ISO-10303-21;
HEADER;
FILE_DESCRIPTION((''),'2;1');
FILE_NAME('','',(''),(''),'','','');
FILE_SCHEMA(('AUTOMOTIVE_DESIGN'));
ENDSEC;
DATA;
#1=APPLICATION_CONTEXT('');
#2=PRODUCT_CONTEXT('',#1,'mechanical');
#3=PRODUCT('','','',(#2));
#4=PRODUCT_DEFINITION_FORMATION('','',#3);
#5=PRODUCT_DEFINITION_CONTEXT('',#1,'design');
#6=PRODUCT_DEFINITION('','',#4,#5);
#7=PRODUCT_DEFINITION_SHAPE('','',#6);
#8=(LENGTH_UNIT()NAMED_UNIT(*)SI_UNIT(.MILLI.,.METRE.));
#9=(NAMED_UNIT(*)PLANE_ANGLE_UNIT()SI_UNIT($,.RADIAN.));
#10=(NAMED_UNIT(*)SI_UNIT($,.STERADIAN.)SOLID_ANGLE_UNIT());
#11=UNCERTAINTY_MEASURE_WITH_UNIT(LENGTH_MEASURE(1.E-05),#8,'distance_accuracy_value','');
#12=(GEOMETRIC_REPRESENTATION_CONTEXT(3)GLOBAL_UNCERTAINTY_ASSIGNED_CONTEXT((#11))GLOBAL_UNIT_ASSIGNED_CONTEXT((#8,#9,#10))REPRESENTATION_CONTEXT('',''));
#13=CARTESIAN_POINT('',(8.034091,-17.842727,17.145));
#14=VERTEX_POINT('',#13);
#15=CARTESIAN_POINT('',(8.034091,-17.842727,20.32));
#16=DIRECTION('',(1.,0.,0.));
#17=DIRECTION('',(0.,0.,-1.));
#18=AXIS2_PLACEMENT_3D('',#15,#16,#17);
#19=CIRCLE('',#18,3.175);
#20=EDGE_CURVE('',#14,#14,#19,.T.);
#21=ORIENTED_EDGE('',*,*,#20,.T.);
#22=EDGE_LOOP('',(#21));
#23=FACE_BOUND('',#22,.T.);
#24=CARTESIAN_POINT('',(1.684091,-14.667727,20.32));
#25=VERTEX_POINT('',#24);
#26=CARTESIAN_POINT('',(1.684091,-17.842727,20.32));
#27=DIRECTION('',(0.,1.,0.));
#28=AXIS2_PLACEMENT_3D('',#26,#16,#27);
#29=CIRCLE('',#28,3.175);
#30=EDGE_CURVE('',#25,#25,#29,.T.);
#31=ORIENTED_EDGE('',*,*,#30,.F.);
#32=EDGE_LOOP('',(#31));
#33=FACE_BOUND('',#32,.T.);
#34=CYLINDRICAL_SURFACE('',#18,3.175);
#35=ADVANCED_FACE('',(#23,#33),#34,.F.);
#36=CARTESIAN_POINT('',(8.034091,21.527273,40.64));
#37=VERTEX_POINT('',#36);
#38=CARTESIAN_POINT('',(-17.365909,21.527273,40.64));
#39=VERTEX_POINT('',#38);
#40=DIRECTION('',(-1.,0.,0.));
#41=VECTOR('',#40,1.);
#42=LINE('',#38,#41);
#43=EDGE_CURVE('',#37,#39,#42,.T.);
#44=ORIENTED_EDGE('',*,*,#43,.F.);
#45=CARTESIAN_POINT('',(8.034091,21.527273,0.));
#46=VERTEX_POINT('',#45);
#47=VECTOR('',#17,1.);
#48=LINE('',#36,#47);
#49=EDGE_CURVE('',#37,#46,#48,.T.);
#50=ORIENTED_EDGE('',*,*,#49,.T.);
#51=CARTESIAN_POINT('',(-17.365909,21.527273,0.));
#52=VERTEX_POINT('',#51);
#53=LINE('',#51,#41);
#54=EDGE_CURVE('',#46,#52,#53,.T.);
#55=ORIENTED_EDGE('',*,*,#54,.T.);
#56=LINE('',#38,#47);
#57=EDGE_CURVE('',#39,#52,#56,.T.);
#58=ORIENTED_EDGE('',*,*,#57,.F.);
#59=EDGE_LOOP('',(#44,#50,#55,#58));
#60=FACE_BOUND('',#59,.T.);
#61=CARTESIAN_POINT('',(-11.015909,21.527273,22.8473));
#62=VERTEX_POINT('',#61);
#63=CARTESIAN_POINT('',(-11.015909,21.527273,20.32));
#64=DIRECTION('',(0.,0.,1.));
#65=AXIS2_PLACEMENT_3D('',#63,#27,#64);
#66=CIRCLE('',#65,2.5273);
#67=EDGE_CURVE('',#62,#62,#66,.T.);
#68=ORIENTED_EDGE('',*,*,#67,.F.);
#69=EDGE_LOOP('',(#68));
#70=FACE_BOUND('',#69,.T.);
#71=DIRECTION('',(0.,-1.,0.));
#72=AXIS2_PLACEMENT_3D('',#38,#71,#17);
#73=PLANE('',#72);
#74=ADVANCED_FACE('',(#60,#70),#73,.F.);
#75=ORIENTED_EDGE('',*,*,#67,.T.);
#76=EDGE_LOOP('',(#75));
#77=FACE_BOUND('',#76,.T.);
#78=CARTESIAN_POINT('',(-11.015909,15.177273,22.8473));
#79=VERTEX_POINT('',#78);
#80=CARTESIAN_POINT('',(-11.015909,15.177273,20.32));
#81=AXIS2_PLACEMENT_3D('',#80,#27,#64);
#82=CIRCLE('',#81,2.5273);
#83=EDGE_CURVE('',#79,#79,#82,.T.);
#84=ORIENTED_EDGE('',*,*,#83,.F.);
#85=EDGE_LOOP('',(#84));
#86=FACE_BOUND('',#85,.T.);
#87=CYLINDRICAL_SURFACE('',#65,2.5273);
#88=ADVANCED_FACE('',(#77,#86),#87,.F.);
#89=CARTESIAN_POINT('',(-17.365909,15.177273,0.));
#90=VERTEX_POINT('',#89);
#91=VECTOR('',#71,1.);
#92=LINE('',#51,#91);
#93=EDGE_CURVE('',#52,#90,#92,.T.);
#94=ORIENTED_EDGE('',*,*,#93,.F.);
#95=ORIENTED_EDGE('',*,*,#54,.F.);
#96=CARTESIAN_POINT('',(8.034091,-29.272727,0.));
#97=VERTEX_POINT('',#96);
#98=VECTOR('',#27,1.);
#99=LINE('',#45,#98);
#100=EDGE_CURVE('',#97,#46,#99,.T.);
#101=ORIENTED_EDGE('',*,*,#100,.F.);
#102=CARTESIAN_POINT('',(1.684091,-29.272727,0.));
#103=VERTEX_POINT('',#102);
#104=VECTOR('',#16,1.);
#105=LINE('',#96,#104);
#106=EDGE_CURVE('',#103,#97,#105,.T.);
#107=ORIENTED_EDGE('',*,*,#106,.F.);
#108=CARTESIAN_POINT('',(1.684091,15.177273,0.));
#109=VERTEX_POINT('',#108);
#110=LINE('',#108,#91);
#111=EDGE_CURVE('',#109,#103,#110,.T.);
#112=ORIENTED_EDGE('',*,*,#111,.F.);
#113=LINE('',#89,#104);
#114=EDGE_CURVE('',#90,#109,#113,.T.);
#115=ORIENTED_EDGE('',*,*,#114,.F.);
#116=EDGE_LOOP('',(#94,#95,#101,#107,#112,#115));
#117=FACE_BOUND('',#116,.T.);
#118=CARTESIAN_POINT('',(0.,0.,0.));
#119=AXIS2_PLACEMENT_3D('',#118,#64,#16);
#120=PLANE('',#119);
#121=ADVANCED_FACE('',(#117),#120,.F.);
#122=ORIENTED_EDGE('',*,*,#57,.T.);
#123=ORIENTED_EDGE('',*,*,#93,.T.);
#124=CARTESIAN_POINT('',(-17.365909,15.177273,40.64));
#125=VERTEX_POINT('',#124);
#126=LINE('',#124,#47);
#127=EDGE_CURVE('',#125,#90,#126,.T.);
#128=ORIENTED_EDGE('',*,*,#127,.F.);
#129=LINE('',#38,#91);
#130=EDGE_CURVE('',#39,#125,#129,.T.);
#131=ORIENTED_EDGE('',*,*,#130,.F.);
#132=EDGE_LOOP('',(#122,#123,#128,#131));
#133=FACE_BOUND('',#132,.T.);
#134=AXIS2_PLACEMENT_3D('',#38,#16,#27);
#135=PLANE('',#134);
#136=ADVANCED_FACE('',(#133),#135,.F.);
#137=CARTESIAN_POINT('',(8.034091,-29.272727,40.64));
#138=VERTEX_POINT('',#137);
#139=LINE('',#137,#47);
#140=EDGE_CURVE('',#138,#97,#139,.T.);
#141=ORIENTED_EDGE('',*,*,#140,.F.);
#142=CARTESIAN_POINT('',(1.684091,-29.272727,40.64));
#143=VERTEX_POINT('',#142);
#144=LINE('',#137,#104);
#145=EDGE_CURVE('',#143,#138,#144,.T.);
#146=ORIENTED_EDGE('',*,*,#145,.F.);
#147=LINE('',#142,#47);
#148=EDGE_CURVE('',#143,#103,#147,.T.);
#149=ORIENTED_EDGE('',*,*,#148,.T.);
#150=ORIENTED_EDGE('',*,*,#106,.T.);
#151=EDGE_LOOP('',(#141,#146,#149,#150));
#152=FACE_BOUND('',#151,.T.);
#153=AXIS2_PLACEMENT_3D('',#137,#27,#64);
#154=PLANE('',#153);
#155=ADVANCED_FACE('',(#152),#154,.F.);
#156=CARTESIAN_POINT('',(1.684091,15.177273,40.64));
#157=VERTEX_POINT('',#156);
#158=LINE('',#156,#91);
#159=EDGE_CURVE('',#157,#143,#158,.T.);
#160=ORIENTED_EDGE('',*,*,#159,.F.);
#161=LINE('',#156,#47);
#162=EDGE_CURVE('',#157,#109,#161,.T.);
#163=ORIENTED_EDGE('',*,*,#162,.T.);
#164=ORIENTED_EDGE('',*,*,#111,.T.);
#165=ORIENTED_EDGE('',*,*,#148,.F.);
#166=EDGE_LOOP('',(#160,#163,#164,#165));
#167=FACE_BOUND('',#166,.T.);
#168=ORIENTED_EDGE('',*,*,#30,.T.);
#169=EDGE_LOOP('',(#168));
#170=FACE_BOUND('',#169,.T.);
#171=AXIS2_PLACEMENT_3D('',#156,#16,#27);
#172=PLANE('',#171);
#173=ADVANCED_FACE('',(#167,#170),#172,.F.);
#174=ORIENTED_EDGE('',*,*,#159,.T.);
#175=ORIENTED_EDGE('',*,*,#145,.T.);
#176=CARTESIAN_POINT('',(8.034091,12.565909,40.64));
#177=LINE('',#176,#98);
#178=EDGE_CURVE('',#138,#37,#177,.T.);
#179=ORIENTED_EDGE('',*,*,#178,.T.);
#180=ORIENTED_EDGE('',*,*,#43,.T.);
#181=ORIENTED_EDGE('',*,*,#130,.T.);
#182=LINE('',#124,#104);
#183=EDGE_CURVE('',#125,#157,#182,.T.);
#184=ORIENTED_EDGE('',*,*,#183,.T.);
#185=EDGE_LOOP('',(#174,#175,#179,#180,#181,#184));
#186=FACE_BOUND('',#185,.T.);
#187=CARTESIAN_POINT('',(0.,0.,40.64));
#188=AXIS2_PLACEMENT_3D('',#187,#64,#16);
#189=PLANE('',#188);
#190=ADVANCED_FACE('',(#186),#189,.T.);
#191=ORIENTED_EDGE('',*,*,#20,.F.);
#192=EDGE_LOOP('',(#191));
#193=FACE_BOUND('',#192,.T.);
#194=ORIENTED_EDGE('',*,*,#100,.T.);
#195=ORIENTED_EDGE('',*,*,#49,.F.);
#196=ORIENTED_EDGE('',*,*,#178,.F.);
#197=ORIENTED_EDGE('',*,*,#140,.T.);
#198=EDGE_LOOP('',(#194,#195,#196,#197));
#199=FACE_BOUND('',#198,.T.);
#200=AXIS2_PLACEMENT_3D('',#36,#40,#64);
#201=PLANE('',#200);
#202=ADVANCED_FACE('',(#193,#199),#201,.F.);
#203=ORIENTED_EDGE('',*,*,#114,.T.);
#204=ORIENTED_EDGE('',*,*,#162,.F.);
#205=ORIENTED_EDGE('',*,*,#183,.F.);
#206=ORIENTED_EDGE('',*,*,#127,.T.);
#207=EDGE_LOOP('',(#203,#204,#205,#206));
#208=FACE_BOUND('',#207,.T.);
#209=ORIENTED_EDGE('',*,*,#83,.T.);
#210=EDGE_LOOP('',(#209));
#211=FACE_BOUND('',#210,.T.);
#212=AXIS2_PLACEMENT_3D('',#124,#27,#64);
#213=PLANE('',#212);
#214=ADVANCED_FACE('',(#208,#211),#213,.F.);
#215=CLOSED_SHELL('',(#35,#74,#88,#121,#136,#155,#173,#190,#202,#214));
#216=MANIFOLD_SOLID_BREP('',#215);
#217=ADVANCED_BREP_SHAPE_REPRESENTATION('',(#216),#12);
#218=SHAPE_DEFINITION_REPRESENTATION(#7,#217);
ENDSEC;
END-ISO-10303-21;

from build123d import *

# Parameters (mm, degrees)
BOSS_EXTRUDE1_DEPTH         = 40.64
F_1_4_0_25_DIAMETER_HOLE1_D = 6.35
F_8_0_199_DIAMETER_HOLE2_D  = 5.0546


with BuildPart() as part:
    # Sketch1 → Boss-Extrude1 (new body)
    with BuildSketch(Plane.XY):
        Polygon((-17.365909091, 21.527272727), (8.034090909, 21.527272727), (8.034090909, 12.565909091), (8.034090909, -29.272727273), (1.684090909, -29.272727273), (1.684090909, 15.177272727), (-17.365909091, 15.177272727), align=None)
    extrude(amount=BOSS_EXTRUDE1_DEPTH)

    # 1/4 (0.25) Diameter Hole1 (through all)
    with Locations(Plane(origin=(8.034090909, 0, 0), x_dir=(0, 0, -1), z_dir=(1, 0, 0))):
        with Locations((-20.32, -17.842727273)):
            Hole(F_1_4_0_25_DIAMETER_HOLE1_D / 2)

    # #8 (0.199) Diameter Hole2 (through all)
    with Locations(Plane(origin=(0, 21.527272727, 0), x_dir=(1, 0, 0), z_dir=(0, 1, 0))):
        with Locations((-11.015909091, -20.32)):
            Hole(F_8_0_199_DIAMETER_HOLE2_D / 2)


solid = part.part
